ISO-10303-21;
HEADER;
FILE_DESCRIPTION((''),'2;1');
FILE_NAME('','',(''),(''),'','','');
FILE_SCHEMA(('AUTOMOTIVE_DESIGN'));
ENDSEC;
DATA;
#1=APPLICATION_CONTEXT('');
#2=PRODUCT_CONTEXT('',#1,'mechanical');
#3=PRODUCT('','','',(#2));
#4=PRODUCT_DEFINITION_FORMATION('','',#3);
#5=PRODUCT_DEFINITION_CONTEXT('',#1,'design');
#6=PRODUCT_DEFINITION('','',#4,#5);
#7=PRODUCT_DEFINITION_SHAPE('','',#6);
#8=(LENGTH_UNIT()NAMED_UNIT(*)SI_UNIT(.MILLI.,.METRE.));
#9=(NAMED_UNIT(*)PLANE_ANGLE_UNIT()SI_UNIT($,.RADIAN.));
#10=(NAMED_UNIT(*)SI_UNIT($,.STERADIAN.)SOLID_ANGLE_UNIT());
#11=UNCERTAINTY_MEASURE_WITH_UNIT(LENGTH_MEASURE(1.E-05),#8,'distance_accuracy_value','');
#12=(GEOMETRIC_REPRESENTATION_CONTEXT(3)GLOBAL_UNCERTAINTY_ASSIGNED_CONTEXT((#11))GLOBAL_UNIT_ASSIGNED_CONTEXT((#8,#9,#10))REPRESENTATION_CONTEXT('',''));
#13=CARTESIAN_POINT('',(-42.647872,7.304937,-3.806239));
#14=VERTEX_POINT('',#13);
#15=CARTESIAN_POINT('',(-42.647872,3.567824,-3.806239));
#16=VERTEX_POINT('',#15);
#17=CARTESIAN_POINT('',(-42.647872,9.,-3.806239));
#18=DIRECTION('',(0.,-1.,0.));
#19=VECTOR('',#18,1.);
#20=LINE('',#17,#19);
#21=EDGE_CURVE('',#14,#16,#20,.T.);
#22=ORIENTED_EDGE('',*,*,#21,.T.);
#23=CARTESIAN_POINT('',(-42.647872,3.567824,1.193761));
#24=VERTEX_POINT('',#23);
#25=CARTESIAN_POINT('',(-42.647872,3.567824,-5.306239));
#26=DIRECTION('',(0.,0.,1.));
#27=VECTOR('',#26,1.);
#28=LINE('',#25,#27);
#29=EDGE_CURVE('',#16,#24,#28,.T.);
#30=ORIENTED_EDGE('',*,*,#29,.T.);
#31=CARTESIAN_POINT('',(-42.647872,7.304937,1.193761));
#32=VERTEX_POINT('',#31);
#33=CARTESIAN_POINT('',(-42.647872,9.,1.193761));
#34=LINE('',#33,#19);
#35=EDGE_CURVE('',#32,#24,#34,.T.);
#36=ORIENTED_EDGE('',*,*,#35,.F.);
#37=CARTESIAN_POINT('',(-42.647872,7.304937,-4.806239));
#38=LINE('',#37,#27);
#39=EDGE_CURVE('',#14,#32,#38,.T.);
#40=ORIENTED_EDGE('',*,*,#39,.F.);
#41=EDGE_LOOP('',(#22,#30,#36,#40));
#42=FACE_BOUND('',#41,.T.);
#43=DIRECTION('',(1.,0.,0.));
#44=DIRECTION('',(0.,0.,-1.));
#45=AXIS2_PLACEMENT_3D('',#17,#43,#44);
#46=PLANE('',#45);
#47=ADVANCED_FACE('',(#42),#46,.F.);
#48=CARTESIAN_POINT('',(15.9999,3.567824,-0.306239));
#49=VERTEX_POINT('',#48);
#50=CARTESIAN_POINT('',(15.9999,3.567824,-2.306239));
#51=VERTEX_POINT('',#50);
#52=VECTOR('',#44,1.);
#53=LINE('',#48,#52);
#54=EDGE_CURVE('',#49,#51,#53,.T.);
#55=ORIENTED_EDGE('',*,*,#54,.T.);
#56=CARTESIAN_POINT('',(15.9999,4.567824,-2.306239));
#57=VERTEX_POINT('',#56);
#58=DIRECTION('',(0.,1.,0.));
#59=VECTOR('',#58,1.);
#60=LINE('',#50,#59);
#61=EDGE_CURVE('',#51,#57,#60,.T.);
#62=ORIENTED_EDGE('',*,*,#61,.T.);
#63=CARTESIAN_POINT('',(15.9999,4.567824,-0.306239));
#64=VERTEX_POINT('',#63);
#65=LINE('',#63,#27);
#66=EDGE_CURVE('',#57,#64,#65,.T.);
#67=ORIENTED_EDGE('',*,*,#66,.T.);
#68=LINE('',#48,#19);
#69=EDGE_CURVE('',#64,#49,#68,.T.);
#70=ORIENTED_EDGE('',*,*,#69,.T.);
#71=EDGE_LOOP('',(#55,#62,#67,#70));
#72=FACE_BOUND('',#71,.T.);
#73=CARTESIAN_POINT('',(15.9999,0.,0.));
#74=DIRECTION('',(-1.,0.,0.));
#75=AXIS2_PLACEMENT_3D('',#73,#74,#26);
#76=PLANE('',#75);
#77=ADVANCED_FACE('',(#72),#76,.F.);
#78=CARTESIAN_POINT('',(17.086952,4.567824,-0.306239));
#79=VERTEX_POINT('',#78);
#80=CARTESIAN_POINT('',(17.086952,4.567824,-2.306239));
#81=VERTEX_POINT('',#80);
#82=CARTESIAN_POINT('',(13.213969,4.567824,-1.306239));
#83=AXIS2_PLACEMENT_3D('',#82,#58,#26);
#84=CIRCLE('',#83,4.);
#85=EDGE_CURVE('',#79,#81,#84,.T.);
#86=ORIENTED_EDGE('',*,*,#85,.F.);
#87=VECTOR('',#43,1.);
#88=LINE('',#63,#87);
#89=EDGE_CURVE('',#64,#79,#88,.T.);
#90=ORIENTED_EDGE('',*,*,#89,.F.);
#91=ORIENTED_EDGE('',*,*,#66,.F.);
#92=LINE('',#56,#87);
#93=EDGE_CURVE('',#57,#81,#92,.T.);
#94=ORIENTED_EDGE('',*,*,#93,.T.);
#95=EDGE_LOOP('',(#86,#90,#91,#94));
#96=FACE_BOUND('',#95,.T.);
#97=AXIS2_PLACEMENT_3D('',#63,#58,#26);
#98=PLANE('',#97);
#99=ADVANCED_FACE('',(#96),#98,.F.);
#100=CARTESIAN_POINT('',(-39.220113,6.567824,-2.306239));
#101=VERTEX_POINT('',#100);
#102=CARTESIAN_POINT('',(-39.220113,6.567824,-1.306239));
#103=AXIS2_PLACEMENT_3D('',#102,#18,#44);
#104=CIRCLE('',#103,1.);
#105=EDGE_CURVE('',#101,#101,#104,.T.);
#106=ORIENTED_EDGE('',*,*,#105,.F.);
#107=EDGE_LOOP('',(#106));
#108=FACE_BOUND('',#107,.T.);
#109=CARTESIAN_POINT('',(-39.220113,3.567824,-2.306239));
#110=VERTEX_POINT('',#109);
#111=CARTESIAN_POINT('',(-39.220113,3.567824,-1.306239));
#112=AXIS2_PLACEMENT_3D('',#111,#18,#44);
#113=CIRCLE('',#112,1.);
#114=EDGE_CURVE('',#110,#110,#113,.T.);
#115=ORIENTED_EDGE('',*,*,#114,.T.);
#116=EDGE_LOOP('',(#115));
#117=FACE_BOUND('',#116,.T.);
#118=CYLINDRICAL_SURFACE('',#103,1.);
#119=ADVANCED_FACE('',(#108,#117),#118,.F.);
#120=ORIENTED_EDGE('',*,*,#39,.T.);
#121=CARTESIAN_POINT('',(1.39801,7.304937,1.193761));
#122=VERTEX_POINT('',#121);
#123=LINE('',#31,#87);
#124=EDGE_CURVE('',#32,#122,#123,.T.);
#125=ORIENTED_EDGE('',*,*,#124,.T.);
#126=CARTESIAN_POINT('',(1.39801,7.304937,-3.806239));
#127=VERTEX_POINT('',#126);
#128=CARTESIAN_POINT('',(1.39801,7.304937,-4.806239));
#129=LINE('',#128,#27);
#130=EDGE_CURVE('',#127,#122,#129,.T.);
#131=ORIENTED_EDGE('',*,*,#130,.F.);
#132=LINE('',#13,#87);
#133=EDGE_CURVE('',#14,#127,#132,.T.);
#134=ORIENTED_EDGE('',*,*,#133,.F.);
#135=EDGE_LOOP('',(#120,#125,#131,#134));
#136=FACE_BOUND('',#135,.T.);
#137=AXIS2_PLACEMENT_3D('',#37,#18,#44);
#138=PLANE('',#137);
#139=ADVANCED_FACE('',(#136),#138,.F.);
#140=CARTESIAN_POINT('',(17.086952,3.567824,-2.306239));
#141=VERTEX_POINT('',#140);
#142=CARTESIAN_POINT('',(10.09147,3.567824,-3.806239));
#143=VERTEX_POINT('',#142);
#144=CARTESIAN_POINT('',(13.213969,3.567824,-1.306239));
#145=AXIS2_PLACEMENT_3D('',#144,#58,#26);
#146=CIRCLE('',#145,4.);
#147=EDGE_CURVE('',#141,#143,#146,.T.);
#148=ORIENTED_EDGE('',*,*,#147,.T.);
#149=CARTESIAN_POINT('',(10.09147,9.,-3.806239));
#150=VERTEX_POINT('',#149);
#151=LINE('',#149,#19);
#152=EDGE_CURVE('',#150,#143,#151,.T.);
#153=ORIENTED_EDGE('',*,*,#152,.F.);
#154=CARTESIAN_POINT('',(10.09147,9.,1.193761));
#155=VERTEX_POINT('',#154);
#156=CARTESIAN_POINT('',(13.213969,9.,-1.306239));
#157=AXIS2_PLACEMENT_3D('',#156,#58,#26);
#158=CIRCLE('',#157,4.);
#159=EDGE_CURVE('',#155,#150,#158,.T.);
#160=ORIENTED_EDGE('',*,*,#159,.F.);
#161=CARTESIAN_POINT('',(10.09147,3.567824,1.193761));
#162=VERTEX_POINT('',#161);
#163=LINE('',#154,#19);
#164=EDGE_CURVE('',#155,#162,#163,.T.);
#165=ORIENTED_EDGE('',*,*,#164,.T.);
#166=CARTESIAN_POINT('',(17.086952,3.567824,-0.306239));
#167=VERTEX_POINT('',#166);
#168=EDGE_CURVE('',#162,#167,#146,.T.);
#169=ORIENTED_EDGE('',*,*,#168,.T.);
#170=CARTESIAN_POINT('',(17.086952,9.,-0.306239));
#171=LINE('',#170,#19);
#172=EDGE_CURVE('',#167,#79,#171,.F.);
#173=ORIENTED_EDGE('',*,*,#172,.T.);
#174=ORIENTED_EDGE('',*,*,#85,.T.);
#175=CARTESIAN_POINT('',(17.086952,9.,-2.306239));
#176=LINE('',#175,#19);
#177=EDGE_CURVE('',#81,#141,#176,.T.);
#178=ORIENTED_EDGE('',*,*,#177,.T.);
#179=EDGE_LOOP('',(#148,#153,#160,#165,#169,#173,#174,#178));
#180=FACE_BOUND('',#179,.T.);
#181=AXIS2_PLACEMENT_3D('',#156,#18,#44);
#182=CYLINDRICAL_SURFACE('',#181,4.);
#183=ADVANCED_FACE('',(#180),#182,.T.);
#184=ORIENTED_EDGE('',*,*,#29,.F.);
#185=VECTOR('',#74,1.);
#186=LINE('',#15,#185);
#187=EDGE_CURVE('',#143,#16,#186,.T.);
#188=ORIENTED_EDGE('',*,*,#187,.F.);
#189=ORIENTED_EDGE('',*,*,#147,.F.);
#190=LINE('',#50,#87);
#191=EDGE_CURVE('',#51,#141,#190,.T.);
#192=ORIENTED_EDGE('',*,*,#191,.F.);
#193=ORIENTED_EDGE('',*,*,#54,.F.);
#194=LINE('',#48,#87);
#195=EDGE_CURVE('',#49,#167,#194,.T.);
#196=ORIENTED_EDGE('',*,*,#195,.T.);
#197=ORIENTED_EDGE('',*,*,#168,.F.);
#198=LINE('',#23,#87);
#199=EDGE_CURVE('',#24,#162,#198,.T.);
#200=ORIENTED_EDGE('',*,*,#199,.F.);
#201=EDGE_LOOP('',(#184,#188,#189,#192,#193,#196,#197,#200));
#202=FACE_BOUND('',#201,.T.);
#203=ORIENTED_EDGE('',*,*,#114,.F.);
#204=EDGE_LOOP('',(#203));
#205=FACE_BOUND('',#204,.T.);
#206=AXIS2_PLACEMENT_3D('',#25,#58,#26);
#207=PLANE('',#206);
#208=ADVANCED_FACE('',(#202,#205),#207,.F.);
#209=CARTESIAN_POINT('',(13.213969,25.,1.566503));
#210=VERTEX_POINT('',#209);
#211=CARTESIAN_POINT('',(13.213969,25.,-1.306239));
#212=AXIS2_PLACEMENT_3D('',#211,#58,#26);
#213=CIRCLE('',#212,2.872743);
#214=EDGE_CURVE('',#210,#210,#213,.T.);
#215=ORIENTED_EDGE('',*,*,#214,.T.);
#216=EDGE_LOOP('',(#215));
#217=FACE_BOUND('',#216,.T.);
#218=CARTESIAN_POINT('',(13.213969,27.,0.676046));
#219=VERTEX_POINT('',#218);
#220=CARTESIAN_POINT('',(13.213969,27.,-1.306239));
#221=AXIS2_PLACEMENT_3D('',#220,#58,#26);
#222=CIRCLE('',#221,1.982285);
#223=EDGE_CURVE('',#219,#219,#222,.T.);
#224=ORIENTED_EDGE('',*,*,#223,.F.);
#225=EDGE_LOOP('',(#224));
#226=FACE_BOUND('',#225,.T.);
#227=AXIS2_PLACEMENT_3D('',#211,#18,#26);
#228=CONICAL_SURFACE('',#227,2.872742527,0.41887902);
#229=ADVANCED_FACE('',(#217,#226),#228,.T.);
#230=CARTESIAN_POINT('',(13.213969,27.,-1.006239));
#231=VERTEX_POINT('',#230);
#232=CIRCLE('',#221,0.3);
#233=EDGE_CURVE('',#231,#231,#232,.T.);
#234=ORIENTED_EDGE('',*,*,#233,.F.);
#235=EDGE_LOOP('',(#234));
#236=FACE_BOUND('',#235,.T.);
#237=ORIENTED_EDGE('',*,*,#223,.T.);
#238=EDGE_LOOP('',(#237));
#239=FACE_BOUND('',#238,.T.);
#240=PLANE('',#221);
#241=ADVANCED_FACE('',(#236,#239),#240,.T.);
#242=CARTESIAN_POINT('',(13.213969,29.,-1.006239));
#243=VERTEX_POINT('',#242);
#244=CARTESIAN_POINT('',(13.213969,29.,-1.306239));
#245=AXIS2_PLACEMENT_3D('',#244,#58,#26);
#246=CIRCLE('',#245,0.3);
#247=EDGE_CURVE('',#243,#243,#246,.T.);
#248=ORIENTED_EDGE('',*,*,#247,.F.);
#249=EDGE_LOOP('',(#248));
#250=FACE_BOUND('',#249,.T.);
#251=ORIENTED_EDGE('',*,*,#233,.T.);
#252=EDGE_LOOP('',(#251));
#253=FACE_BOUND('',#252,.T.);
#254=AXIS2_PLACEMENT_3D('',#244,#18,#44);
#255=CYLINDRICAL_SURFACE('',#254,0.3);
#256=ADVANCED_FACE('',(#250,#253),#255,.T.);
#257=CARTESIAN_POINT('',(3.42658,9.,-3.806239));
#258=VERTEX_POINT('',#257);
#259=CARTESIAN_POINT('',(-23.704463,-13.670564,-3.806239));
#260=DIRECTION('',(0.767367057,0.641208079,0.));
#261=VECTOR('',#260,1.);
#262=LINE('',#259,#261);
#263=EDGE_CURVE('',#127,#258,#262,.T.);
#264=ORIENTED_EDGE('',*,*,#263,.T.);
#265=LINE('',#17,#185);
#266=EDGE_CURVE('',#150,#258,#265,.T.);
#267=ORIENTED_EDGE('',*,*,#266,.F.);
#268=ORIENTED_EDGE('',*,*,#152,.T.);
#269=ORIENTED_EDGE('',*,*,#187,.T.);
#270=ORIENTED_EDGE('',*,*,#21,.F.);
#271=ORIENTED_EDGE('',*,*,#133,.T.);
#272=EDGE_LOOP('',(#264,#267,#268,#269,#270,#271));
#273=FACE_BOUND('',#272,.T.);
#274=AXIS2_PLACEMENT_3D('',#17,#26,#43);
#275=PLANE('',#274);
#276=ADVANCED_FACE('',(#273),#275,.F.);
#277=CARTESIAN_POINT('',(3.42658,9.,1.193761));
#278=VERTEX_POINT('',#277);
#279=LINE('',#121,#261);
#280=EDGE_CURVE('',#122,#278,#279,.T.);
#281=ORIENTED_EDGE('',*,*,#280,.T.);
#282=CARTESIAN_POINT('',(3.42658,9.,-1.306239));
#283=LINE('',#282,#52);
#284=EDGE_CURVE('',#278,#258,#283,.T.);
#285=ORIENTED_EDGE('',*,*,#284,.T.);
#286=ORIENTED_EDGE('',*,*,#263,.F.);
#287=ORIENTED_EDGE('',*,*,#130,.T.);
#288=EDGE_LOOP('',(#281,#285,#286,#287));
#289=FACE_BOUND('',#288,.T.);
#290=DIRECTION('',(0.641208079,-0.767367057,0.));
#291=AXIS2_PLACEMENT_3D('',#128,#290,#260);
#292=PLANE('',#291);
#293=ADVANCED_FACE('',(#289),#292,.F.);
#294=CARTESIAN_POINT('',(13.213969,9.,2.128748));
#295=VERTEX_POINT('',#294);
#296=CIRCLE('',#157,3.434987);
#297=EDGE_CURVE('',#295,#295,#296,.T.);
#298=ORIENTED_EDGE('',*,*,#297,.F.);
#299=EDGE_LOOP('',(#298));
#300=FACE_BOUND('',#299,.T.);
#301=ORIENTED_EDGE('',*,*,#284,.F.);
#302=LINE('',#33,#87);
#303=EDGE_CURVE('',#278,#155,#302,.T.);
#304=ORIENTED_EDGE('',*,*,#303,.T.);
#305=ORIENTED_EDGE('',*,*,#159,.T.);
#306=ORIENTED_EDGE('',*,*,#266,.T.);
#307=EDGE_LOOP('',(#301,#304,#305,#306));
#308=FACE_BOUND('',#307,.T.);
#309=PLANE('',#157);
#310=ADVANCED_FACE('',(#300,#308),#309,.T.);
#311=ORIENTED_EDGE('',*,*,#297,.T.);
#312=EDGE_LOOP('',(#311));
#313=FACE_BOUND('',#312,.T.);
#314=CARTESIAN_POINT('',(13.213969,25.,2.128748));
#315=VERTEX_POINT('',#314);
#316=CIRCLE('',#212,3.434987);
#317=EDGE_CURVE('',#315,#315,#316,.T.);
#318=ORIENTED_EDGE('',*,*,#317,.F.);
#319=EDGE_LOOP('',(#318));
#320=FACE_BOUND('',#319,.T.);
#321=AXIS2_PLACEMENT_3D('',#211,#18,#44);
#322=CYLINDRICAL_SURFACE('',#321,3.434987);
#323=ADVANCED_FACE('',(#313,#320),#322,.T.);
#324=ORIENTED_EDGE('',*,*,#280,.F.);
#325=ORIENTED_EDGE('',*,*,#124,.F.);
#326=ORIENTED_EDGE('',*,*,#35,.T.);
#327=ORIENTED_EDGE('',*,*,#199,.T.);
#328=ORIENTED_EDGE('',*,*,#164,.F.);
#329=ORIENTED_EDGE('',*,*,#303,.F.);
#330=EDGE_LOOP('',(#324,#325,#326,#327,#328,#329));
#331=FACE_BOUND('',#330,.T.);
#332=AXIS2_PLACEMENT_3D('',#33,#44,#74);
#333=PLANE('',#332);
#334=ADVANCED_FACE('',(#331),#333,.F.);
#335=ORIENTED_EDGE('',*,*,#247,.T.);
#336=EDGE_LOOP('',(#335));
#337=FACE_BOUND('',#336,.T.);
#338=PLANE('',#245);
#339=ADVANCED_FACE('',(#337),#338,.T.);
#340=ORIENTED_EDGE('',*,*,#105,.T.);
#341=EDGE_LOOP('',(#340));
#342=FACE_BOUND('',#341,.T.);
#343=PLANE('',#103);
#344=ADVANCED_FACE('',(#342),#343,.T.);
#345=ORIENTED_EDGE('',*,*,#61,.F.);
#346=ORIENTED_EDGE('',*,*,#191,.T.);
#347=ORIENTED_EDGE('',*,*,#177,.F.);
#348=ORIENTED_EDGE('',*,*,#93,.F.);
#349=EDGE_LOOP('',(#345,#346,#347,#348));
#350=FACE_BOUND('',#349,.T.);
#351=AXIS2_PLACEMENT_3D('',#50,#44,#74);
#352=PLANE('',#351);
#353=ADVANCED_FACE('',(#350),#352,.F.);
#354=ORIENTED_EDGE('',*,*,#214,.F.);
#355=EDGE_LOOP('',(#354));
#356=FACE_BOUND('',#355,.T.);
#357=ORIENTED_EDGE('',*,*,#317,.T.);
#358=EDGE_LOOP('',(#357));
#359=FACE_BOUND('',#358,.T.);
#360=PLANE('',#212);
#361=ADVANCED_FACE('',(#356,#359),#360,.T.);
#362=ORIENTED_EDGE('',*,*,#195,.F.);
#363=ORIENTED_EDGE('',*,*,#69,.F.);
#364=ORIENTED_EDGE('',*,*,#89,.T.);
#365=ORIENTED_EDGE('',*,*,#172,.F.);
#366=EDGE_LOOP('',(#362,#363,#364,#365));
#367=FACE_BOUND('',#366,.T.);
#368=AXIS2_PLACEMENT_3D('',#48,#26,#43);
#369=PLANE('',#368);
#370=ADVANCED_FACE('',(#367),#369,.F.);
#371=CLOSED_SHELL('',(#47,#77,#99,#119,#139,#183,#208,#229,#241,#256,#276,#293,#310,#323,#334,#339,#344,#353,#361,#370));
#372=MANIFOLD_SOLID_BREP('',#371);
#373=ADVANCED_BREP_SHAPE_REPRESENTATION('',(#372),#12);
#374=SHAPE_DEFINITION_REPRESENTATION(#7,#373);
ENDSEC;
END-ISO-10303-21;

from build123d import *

# Parameters (mm, degrees)
BOSS_EXTRUDE1_DEPTH     = 9
CUT_EXTRUDE1_DEPTH      = 6
SKETCH3_R               = 3.434986687
BOSS_EXTRUDE2_DEPTH     = 16
SKETCH4_R               = 2.872742527
BOSS_EXTRUDE3_DEPTH     = 2
BOSS_EXTRUDE3_TAPER     = 24
SKETCH5_R               = 0.3
BOSS_EXTRUDE4_DEPTH     = 2
SKETCH6_W               = 59.861841092
SKETCH6_H               = 3.567823601
CUT_EXTRUDE2_DEPTH      = 2.5
CUT_EXTRUDE2_DEPTH_BACK = 7.5
SKETCH7_R               = 1
CUT_EXTRUDE3_DEPTH      = 3
SKETCH8_W               = 2
SKETCH8_H               = 1
CUT_EXTRUDE4_DEPTH      = 10.0001


with BuildPart() as part:
    # Sketch1 → Boss-Extrude1 (new body)
    with BuildSketch(Plane(origin=(0, 0, 0), x_dir=(1, 0, 0), z_dir=(0, 1, 0))):
        with BuildLine():
            Line((-42.647872244, 3.806239173), (10.091469849, 3.806239173))
            ThreePointArc((10.091469849, 3.806239173), (17.213968848, 1.306239173), (10.091469849, -1.193760827))
            Line((10.091469849, -1.193760827), (-42.647872244, -1.193760827))
            Line((-42.647872244, -1.193760827), (-42.647872244, 3.806239173))
        make_face()
    extrude(amount=BOSS_EXTRUDE1_DEPTH)

    # Sketch2 → Cut-Extrude1 (cut)
    with BuildSketch(Plane.XY.offset(1.193760827)):
        Polygon((1.39800972, 7.304936762), (3.426580057, 9), (1.39800972, 9), (-42.647872244, 9), (-42.647872244, 7.304936762), align=None)
    extrude(amount=-CUT_EXTRUDE1_DEPTH, mode=Mode.SUBTRACT)

    # Sketch3 → Boss-Extrude2 (add)
    with BuildSketch(Plane(origin=(0, 9, 0), x_dir=(1, 0, 0), z_dir=(0, 1, 0))):
        with Locations((13.213968848, 1.306239173)):
            Circle(SKETCH3_R)
    extrude(amount=BOSS_EXTRUDE2_DEPTH)

    # Sketch4 → Boss-Extrude3 (add)
    with BuildSketch(Plane(origin=(0, 25, 0), x_dir=(1, 0, 0), z_dir=(0, 1, 0))):
        with Locations((13.213968848, 1.306239173)):
            Circle(SKETCH4_R)
    extrude(amount=BOSS_EXTRUDE3_DEPTH, taper=BOSS_EXTRUDE3_TAPER)

    # Sketch5 → Boss-Extrude4 (add)
    with BuildSketch(Plane(origin=(0, 27, 0), x_dir=(1, 0, 0), z_dir=(0, 1, 0))):
        with Locations((13.213968848, 1.306239173)):
            Circle(SKETCH5_R)
    extrude(amount=BOSS_EXTRUDE4_DEPTH)

    # Sketch6 → Cut-Extrude2 (cut, two sides)
    with BuildSketch(Plane.XY.offset(1.193760827)) as cut_extrude2_sk:
        with Locations((-12.716951698, 1.783911801)):
            Rectangle(SKETCH6_W, SKETCH6_H)
    extrude(amount=CUT_EXTRUDE2_DEPTH, mode=Mode.SUBTRACT)
    extrude(cut_extrude2_sk.sketch, amount=-CUT_EXTRUDE2_DEPTH_BACK, mode=Mode.SUBTRACT)

    # Sketch7 → Cut-Extrude3 (cut)
    with BuildSketch(Plane.XZ.offset(-3.567823601)):
        with Locations((-39.22011329, -1.306239173)):
            Circle(SKETCH7_R)
    extrude(amount=-CUT_EXTRUDE3_DEPTH, mode=Mode.SUBTRACT)

    # Sketch8 → Cut-Extrude4 (cut)
    with BuildSketch(Plane(origin=(26, 0, 0), x_dir=(0, 0, -1), z_dir=(1, 0, 0))):
        with Locations((1.306239173, 4.067823601)):
            Rectangle(SKETCH8_W, SKETCH8_H)
    extrude(amount=-CUT_EXTRUDE4_DEPTH, mode=Mode.SUBTRACT)


solid = part.part
